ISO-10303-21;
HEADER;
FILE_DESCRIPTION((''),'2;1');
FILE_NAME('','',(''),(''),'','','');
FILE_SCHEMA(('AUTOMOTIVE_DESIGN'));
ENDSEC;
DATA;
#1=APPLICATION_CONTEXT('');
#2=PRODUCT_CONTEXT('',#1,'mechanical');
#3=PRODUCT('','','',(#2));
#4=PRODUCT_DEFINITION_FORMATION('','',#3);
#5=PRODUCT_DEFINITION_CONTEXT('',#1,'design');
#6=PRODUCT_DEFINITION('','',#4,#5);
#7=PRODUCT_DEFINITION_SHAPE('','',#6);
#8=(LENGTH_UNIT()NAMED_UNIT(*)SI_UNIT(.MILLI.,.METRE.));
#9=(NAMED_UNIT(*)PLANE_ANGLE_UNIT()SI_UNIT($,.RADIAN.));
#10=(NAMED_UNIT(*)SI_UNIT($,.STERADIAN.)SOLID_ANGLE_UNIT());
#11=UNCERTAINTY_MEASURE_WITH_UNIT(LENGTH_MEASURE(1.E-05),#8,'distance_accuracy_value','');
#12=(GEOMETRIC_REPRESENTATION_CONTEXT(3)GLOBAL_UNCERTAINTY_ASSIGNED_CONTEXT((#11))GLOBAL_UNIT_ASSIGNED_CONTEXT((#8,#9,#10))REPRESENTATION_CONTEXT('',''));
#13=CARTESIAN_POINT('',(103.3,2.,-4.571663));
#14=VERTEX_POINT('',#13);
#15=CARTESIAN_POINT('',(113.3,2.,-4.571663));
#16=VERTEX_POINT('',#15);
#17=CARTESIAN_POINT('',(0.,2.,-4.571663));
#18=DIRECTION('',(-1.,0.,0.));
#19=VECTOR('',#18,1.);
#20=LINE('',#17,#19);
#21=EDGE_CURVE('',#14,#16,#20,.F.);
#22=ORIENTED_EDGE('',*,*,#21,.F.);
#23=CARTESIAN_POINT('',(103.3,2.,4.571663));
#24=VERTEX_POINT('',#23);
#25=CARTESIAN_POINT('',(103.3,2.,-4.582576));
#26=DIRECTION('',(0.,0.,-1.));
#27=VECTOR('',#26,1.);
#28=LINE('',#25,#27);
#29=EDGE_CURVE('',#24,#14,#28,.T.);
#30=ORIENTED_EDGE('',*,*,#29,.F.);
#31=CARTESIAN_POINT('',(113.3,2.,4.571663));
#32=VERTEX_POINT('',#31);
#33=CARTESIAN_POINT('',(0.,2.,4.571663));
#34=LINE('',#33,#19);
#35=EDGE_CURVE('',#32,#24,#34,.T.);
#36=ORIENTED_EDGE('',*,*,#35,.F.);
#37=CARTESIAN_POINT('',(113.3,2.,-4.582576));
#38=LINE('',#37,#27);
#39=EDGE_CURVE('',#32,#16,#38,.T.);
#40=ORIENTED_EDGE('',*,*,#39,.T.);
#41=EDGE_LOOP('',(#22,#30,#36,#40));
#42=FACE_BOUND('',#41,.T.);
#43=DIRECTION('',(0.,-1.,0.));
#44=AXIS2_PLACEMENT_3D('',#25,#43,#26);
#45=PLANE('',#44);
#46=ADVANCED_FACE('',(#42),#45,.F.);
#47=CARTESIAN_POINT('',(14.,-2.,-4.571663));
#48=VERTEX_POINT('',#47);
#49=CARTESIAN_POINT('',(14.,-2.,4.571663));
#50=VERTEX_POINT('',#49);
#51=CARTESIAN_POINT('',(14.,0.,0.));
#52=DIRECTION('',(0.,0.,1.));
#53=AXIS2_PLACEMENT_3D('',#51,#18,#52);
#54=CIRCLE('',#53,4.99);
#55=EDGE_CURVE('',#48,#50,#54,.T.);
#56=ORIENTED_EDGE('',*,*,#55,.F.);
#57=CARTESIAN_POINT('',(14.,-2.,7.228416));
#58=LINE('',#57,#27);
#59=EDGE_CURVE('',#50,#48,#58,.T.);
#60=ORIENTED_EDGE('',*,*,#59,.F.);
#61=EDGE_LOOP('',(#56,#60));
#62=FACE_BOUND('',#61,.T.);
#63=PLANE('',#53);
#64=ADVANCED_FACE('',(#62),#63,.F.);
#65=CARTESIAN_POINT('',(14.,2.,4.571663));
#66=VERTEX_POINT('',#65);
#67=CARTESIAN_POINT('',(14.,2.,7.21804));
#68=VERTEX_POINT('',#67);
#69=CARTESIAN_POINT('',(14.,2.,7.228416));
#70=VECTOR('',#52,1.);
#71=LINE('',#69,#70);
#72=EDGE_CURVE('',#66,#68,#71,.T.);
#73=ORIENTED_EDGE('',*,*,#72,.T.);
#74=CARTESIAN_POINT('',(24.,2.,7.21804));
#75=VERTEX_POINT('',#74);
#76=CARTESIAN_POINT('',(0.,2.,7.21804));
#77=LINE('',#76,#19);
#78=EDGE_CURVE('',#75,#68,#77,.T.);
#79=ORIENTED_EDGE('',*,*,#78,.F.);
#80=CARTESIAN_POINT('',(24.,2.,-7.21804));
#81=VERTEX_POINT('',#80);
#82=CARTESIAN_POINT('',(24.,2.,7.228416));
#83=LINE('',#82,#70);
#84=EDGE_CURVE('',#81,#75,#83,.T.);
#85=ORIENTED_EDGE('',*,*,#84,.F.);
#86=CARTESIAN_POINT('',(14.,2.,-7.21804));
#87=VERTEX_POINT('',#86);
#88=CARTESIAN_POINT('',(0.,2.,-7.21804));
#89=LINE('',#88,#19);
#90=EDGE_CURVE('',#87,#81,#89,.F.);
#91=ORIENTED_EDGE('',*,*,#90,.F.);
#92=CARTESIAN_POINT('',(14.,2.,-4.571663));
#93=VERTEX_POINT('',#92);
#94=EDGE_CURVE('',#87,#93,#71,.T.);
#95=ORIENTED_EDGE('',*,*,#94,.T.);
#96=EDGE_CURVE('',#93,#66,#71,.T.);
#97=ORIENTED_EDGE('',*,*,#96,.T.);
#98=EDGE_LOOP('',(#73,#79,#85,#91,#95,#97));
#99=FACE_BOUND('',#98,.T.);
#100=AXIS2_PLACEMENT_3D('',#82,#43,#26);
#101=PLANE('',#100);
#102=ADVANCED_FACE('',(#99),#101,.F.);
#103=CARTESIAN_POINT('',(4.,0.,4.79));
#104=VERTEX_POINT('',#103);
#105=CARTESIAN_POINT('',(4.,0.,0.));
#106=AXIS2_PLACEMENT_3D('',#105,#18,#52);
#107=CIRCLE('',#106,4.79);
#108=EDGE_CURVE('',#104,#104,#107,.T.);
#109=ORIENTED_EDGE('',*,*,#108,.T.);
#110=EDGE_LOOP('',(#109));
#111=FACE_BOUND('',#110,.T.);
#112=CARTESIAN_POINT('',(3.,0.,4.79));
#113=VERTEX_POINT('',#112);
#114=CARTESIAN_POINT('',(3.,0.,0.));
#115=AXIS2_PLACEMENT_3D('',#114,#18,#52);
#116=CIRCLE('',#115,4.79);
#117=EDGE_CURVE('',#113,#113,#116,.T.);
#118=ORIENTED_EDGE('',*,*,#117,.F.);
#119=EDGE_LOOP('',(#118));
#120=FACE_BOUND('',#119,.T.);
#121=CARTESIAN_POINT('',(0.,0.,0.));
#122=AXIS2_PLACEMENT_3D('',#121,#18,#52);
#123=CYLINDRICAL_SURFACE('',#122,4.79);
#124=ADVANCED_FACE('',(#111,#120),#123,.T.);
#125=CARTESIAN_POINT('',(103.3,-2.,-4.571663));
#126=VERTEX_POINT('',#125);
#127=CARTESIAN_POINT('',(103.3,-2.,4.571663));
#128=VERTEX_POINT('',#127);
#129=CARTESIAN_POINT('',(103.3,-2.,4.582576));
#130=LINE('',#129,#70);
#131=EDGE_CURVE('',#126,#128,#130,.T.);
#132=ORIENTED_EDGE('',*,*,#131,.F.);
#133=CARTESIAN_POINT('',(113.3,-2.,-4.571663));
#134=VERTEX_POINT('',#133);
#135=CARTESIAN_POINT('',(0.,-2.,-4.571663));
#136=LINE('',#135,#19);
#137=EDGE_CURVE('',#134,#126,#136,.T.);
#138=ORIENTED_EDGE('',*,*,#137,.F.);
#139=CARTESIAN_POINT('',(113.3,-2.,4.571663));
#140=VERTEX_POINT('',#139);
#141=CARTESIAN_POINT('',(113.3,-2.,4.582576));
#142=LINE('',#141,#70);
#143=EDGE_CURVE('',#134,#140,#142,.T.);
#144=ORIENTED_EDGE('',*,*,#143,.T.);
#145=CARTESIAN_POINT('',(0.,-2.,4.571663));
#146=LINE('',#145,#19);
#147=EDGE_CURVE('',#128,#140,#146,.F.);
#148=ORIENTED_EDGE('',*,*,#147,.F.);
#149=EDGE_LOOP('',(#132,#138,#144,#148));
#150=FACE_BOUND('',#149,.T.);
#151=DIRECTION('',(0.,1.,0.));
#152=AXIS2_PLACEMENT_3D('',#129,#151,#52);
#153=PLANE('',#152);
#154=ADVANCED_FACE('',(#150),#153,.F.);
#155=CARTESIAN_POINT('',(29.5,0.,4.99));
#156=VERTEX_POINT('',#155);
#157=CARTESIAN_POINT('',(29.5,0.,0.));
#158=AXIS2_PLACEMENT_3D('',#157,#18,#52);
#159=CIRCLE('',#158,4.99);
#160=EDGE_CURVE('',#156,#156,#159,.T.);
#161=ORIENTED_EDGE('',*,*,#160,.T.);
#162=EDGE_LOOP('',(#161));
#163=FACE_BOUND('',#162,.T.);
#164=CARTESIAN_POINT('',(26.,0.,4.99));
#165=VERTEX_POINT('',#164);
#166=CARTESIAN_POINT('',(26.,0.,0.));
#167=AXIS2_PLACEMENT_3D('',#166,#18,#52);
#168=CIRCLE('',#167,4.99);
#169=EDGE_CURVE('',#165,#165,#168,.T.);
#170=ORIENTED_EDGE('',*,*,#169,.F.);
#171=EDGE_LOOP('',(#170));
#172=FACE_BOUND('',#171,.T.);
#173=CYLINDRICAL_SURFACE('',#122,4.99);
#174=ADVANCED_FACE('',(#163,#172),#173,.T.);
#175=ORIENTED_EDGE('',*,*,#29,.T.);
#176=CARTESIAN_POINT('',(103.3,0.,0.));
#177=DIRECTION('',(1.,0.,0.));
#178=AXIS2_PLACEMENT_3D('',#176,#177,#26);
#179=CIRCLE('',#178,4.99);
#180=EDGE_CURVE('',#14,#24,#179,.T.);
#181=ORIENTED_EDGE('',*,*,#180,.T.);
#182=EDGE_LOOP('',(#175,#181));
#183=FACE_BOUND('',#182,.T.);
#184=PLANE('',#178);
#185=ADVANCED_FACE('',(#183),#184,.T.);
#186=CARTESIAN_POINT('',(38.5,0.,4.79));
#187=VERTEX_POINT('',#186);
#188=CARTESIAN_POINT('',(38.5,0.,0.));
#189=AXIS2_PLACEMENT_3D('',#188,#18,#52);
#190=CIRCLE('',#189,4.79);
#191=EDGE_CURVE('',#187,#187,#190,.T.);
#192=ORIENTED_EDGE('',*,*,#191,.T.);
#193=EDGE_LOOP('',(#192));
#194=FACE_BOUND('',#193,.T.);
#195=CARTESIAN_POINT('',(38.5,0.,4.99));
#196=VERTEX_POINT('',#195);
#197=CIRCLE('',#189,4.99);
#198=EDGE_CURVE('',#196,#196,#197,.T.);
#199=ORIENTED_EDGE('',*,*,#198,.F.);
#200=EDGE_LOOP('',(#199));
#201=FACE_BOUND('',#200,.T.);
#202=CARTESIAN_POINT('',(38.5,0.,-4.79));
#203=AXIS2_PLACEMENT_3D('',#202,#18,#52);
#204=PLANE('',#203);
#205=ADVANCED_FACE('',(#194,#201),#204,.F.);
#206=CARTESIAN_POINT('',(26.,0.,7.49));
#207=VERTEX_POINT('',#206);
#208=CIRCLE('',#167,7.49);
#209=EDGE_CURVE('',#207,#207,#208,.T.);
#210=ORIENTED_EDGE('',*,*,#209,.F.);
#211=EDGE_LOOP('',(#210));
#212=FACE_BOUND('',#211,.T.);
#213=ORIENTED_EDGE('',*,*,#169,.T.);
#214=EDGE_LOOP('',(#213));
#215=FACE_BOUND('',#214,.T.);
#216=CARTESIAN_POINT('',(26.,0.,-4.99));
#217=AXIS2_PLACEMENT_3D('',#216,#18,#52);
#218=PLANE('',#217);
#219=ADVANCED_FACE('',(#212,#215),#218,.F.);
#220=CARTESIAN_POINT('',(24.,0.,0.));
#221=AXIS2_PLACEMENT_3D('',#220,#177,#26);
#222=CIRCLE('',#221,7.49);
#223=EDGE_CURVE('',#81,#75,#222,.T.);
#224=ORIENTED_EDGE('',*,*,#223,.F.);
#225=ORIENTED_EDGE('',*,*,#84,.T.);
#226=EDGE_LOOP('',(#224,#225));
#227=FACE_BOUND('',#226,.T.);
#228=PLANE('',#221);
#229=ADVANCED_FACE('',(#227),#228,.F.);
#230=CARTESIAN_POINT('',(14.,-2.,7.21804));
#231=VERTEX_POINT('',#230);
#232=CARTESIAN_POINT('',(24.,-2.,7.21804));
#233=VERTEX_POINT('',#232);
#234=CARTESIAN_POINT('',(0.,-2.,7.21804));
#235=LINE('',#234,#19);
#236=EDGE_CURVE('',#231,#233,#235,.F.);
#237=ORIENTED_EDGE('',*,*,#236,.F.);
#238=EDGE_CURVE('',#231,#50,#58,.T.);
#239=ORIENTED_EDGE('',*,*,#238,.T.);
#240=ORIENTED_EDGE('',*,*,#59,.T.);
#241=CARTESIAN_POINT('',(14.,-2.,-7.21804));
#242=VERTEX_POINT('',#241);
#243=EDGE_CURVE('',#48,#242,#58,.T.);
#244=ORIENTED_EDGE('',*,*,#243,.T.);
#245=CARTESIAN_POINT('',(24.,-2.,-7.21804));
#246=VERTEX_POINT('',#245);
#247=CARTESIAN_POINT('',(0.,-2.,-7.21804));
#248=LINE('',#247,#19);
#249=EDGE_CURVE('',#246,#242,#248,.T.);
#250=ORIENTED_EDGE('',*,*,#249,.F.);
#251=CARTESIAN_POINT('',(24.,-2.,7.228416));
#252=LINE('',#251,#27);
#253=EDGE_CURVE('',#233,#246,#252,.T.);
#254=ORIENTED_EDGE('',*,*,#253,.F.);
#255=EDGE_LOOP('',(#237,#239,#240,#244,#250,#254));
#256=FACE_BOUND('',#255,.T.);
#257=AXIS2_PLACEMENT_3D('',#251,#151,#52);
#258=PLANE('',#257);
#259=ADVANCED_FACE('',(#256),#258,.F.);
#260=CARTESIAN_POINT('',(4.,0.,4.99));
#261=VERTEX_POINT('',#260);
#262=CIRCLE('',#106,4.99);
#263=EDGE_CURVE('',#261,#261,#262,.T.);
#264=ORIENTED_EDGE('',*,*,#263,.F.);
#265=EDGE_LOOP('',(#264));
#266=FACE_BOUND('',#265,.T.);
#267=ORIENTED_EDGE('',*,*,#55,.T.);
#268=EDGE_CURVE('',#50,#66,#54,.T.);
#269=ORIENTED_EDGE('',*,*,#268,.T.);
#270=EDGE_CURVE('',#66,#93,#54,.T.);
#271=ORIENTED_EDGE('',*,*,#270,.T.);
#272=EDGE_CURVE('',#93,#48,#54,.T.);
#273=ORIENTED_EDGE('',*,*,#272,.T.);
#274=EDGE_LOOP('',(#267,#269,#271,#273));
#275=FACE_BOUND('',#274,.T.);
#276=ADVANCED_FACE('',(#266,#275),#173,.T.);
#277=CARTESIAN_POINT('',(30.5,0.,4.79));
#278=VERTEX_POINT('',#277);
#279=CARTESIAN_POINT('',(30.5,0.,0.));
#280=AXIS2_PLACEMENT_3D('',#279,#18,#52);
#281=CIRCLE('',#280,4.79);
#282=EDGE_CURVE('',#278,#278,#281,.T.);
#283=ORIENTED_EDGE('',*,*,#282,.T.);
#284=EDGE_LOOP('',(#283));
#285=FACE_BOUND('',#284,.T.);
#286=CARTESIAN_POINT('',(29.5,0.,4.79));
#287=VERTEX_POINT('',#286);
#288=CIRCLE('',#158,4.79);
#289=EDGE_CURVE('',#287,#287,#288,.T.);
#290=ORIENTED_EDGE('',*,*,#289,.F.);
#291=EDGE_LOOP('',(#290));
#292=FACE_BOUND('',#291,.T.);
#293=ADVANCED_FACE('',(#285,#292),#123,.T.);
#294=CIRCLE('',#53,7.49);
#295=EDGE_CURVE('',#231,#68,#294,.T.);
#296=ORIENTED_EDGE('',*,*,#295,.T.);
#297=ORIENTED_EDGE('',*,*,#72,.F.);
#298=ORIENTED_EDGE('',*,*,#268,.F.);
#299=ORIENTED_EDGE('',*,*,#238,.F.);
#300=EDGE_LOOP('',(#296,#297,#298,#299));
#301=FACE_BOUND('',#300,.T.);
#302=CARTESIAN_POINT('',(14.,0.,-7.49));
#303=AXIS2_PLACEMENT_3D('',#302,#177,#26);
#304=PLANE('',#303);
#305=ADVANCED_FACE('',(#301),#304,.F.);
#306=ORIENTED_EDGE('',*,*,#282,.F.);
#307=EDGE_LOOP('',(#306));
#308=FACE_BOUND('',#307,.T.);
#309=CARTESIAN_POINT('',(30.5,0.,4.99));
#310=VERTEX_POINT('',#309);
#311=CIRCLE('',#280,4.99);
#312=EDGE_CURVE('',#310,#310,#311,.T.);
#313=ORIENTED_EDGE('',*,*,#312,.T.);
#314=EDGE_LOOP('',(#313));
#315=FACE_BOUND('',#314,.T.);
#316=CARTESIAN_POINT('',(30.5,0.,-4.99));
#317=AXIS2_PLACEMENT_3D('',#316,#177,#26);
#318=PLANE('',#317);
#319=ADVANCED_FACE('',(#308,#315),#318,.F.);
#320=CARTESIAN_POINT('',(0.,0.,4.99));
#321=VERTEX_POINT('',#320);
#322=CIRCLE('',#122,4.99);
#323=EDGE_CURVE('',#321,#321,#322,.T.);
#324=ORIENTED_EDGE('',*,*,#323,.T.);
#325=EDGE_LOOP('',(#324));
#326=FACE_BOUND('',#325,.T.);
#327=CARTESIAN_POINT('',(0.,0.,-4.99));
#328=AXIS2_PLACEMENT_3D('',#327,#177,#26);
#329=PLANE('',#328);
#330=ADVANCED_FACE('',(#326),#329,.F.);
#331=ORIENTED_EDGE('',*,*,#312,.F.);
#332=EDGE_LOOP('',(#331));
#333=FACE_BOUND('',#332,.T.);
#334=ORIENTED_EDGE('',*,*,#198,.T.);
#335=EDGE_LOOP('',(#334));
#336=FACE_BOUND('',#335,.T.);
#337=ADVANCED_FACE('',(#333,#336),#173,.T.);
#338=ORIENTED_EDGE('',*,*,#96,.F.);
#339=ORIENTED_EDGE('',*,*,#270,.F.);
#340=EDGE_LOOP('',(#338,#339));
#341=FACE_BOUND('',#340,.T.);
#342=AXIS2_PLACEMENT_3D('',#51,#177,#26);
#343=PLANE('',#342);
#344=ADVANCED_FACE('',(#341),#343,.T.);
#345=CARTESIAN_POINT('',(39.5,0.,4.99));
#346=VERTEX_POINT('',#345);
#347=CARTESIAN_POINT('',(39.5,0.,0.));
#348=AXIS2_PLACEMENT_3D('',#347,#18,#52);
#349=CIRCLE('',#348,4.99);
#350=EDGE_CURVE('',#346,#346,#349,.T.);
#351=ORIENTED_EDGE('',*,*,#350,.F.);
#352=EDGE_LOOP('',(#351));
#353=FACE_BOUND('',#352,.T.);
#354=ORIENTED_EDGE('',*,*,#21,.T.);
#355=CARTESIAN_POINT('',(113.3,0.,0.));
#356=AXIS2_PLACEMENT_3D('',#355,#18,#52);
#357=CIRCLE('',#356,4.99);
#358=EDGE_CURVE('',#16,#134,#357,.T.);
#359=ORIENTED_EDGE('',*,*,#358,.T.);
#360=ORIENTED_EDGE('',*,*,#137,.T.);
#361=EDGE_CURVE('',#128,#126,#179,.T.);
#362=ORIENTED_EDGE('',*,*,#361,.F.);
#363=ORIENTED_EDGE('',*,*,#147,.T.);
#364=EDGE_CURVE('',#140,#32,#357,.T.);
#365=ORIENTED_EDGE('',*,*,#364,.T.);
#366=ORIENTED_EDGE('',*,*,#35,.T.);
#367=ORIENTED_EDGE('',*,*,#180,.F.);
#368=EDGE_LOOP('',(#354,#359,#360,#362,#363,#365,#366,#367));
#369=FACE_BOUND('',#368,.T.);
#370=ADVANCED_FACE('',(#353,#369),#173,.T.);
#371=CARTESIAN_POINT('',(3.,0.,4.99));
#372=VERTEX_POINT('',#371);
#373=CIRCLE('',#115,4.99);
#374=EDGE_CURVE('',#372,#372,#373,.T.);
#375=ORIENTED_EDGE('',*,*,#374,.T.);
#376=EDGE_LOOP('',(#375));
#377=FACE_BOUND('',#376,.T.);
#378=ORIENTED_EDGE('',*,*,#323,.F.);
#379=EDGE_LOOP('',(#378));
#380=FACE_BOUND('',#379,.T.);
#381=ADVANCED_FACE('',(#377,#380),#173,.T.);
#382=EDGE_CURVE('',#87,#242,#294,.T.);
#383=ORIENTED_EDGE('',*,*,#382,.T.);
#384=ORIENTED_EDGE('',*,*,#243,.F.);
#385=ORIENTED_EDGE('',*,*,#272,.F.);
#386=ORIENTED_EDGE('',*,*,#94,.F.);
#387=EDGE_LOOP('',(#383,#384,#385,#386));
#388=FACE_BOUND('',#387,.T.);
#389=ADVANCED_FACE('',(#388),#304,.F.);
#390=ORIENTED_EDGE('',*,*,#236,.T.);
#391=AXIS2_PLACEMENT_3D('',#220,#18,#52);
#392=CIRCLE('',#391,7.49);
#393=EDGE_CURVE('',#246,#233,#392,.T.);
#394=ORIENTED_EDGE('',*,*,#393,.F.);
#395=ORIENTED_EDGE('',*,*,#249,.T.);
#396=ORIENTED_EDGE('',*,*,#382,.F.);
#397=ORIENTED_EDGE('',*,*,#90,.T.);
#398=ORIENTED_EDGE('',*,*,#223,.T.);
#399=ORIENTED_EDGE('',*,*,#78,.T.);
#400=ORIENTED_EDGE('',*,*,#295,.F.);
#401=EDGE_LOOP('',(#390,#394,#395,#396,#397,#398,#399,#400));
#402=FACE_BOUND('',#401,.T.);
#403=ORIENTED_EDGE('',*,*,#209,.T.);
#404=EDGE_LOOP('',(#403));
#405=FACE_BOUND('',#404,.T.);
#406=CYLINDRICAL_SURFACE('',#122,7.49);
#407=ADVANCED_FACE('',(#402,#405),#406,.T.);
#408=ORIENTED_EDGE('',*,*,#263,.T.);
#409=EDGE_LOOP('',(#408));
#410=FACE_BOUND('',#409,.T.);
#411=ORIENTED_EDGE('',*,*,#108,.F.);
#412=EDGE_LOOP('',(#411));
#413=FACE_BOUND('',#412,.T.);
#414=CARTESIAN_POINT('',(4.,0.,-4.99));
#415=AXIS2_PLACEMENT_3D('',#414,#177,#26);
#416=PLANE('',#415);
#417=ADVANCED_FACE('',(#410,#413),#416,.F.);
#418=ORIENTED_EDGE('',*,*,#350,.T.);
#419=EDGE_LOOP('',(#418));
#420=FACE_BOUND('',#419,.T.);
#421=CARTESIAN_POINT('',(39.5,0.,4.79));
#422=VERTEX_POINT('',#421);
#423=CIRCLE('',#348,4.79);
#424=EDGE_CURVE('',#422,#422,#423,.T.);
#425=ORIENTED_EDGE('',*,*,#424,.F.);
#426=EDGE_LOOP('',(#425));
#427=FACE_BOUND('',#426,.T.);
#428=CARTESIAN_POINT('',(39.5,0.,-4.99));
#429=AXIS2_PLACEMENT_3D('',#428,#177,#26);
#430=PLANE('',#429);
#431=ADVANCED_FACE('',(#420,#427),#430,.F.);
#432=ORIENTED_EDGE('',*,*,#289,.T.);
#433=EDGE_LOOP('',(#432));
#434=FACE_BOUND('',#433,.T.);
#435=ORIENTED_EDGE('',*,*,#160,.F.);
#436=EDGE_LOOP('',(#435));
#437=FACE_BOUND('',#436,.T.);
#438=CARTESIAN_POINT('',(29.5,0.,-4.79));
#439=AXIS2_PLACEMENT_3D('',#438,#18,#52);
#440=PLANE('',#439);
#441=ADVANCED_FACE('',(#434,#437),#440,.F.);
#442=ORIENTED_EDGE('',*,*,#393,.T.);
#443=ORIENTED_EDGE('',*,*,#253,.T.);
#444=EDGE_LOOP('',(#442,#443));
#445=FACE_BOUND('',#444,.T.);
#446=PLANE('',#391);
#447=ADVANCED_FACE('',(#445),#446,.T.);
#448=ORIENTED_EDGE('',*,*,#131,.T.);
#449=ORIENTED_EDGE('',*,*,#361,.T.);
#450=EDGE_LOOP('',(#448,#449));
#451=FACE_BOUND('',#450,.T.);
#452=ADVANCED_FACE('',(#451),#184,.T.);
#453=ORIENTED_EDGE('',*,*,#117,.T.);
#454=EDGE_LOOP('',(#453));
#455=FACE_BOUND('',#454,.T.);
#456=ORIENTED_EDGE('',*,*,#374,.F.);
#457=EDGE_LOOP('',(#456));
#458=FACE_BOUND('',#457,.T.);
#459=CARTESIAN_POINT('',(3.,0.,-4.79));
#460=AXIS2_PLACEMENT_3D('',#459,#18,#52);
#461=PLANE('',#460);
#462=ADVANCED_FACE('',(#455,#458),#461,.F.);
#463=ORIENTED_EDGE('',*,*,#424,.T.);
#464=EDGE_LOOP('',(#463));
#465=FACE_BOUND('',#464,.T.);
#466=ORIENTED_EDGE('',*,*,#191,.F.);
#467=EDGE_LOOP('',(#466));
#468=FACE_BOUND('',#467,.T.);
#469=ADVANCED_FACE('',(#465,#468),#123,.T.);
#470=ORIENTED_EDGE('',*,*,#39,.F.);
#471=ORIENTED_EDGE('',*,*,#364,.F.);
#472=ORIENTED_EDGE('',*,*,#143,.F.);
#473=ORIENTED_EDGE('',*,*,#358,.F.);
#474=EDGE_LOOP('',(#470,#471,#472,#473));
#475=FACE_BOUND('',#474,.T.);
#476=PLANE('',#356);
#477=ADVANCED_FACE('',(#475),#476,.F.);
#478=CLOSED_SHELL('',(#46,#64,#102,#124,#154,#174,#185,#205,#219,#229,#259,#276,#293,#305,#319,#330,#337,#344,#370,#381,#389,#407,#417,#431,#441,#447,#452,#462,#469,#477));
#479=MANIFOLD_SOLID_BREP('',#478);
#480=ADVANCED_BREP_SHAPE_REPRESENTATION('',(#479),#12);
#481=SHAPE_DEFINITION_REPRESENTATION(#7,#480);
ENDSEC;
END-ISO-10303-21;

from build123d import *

# Parameters (mm, degrees)
CUT_EXTRUDE8_DEPTH = 10
CUT_EXTRUDE9_DEPTH = 10


with BuildPart() as part:
    # Sketch3 → Revolve1 (revolve)
    with BuildSketch(Plane(origin=(0, 0, 0), x_dir=(1, 0, 0), z_dir=(0, 1, 0)), mode=Mode.PRIVATE) as revolve1_sk:
        Polygon((0, 0), (113.3, 0), (113.3, 4.99), (39.5, 4.99), (39.5, 4.79), (38.5, 4.79), (38.5, 4.99), (30.5, 4.99), (30.5, 4.79), (29.5, 4.79), (29.5, 4.99), (26, 4.99), (26, 7.49), (14, 7.49), (14, 4.99), (4, 4.99), (4, 4.79), (3, 4.79), (3, 4.99), (0, 4.99), align=None)
    revolve(revolve1_sk.sketch.rotate(Axis((0, 0, 0), (1, 0, 0)), 180), axis=Axis((0, 0, 0), (1, 0, 0)))

    # Sketch10 → Cut-Extrude8 (cut)
    with BuildSketch(Plane.ZY.offset(-14)):
        with BuildLine():
            Line((7.228416147, 2), (-7.228416147, 2))
            ThreePointArc((-7.228416147, 2), (0, 7.5), (7.228416147, 2))
        make_face()
        with BuildLine():
            Line((7.228416147, -2), (-7.228416147, -2))
            ThreePointArc((-7.228416147, -2), (0, -7.5), (7.228416147, -2))
        make_face()
    extrude(amount=-CUT_EXTRUDE8_DEPTH, mode=Mode.SUBTRACT)

    # Sketch11 → Cut-Extrude9 (cut)
    with BuildSketch(Plane(origin=(113.3, 0, 0), x_dir=(0, 0, -1), z_dir=(1, 0, 0))):
        with BuildLine():
            Line((-4.582575695, -2), (4.582575695, -2))
            ThreePointArc((4.582575695, -2), (0, -5), (-4.582575695, -2))
        make_face()
        with BuildLine():
            Line((4.582575695, 2), (-4.582575695, 2))
            ThreePointArc((-4.582575695, 2), (0, 5), (4.582575695, 2))
        make_face()
    extrude(amount=-CUT_EXTRUDE9_DEPTH, mode=Mode.SUBTRACT)


solid = part.part
